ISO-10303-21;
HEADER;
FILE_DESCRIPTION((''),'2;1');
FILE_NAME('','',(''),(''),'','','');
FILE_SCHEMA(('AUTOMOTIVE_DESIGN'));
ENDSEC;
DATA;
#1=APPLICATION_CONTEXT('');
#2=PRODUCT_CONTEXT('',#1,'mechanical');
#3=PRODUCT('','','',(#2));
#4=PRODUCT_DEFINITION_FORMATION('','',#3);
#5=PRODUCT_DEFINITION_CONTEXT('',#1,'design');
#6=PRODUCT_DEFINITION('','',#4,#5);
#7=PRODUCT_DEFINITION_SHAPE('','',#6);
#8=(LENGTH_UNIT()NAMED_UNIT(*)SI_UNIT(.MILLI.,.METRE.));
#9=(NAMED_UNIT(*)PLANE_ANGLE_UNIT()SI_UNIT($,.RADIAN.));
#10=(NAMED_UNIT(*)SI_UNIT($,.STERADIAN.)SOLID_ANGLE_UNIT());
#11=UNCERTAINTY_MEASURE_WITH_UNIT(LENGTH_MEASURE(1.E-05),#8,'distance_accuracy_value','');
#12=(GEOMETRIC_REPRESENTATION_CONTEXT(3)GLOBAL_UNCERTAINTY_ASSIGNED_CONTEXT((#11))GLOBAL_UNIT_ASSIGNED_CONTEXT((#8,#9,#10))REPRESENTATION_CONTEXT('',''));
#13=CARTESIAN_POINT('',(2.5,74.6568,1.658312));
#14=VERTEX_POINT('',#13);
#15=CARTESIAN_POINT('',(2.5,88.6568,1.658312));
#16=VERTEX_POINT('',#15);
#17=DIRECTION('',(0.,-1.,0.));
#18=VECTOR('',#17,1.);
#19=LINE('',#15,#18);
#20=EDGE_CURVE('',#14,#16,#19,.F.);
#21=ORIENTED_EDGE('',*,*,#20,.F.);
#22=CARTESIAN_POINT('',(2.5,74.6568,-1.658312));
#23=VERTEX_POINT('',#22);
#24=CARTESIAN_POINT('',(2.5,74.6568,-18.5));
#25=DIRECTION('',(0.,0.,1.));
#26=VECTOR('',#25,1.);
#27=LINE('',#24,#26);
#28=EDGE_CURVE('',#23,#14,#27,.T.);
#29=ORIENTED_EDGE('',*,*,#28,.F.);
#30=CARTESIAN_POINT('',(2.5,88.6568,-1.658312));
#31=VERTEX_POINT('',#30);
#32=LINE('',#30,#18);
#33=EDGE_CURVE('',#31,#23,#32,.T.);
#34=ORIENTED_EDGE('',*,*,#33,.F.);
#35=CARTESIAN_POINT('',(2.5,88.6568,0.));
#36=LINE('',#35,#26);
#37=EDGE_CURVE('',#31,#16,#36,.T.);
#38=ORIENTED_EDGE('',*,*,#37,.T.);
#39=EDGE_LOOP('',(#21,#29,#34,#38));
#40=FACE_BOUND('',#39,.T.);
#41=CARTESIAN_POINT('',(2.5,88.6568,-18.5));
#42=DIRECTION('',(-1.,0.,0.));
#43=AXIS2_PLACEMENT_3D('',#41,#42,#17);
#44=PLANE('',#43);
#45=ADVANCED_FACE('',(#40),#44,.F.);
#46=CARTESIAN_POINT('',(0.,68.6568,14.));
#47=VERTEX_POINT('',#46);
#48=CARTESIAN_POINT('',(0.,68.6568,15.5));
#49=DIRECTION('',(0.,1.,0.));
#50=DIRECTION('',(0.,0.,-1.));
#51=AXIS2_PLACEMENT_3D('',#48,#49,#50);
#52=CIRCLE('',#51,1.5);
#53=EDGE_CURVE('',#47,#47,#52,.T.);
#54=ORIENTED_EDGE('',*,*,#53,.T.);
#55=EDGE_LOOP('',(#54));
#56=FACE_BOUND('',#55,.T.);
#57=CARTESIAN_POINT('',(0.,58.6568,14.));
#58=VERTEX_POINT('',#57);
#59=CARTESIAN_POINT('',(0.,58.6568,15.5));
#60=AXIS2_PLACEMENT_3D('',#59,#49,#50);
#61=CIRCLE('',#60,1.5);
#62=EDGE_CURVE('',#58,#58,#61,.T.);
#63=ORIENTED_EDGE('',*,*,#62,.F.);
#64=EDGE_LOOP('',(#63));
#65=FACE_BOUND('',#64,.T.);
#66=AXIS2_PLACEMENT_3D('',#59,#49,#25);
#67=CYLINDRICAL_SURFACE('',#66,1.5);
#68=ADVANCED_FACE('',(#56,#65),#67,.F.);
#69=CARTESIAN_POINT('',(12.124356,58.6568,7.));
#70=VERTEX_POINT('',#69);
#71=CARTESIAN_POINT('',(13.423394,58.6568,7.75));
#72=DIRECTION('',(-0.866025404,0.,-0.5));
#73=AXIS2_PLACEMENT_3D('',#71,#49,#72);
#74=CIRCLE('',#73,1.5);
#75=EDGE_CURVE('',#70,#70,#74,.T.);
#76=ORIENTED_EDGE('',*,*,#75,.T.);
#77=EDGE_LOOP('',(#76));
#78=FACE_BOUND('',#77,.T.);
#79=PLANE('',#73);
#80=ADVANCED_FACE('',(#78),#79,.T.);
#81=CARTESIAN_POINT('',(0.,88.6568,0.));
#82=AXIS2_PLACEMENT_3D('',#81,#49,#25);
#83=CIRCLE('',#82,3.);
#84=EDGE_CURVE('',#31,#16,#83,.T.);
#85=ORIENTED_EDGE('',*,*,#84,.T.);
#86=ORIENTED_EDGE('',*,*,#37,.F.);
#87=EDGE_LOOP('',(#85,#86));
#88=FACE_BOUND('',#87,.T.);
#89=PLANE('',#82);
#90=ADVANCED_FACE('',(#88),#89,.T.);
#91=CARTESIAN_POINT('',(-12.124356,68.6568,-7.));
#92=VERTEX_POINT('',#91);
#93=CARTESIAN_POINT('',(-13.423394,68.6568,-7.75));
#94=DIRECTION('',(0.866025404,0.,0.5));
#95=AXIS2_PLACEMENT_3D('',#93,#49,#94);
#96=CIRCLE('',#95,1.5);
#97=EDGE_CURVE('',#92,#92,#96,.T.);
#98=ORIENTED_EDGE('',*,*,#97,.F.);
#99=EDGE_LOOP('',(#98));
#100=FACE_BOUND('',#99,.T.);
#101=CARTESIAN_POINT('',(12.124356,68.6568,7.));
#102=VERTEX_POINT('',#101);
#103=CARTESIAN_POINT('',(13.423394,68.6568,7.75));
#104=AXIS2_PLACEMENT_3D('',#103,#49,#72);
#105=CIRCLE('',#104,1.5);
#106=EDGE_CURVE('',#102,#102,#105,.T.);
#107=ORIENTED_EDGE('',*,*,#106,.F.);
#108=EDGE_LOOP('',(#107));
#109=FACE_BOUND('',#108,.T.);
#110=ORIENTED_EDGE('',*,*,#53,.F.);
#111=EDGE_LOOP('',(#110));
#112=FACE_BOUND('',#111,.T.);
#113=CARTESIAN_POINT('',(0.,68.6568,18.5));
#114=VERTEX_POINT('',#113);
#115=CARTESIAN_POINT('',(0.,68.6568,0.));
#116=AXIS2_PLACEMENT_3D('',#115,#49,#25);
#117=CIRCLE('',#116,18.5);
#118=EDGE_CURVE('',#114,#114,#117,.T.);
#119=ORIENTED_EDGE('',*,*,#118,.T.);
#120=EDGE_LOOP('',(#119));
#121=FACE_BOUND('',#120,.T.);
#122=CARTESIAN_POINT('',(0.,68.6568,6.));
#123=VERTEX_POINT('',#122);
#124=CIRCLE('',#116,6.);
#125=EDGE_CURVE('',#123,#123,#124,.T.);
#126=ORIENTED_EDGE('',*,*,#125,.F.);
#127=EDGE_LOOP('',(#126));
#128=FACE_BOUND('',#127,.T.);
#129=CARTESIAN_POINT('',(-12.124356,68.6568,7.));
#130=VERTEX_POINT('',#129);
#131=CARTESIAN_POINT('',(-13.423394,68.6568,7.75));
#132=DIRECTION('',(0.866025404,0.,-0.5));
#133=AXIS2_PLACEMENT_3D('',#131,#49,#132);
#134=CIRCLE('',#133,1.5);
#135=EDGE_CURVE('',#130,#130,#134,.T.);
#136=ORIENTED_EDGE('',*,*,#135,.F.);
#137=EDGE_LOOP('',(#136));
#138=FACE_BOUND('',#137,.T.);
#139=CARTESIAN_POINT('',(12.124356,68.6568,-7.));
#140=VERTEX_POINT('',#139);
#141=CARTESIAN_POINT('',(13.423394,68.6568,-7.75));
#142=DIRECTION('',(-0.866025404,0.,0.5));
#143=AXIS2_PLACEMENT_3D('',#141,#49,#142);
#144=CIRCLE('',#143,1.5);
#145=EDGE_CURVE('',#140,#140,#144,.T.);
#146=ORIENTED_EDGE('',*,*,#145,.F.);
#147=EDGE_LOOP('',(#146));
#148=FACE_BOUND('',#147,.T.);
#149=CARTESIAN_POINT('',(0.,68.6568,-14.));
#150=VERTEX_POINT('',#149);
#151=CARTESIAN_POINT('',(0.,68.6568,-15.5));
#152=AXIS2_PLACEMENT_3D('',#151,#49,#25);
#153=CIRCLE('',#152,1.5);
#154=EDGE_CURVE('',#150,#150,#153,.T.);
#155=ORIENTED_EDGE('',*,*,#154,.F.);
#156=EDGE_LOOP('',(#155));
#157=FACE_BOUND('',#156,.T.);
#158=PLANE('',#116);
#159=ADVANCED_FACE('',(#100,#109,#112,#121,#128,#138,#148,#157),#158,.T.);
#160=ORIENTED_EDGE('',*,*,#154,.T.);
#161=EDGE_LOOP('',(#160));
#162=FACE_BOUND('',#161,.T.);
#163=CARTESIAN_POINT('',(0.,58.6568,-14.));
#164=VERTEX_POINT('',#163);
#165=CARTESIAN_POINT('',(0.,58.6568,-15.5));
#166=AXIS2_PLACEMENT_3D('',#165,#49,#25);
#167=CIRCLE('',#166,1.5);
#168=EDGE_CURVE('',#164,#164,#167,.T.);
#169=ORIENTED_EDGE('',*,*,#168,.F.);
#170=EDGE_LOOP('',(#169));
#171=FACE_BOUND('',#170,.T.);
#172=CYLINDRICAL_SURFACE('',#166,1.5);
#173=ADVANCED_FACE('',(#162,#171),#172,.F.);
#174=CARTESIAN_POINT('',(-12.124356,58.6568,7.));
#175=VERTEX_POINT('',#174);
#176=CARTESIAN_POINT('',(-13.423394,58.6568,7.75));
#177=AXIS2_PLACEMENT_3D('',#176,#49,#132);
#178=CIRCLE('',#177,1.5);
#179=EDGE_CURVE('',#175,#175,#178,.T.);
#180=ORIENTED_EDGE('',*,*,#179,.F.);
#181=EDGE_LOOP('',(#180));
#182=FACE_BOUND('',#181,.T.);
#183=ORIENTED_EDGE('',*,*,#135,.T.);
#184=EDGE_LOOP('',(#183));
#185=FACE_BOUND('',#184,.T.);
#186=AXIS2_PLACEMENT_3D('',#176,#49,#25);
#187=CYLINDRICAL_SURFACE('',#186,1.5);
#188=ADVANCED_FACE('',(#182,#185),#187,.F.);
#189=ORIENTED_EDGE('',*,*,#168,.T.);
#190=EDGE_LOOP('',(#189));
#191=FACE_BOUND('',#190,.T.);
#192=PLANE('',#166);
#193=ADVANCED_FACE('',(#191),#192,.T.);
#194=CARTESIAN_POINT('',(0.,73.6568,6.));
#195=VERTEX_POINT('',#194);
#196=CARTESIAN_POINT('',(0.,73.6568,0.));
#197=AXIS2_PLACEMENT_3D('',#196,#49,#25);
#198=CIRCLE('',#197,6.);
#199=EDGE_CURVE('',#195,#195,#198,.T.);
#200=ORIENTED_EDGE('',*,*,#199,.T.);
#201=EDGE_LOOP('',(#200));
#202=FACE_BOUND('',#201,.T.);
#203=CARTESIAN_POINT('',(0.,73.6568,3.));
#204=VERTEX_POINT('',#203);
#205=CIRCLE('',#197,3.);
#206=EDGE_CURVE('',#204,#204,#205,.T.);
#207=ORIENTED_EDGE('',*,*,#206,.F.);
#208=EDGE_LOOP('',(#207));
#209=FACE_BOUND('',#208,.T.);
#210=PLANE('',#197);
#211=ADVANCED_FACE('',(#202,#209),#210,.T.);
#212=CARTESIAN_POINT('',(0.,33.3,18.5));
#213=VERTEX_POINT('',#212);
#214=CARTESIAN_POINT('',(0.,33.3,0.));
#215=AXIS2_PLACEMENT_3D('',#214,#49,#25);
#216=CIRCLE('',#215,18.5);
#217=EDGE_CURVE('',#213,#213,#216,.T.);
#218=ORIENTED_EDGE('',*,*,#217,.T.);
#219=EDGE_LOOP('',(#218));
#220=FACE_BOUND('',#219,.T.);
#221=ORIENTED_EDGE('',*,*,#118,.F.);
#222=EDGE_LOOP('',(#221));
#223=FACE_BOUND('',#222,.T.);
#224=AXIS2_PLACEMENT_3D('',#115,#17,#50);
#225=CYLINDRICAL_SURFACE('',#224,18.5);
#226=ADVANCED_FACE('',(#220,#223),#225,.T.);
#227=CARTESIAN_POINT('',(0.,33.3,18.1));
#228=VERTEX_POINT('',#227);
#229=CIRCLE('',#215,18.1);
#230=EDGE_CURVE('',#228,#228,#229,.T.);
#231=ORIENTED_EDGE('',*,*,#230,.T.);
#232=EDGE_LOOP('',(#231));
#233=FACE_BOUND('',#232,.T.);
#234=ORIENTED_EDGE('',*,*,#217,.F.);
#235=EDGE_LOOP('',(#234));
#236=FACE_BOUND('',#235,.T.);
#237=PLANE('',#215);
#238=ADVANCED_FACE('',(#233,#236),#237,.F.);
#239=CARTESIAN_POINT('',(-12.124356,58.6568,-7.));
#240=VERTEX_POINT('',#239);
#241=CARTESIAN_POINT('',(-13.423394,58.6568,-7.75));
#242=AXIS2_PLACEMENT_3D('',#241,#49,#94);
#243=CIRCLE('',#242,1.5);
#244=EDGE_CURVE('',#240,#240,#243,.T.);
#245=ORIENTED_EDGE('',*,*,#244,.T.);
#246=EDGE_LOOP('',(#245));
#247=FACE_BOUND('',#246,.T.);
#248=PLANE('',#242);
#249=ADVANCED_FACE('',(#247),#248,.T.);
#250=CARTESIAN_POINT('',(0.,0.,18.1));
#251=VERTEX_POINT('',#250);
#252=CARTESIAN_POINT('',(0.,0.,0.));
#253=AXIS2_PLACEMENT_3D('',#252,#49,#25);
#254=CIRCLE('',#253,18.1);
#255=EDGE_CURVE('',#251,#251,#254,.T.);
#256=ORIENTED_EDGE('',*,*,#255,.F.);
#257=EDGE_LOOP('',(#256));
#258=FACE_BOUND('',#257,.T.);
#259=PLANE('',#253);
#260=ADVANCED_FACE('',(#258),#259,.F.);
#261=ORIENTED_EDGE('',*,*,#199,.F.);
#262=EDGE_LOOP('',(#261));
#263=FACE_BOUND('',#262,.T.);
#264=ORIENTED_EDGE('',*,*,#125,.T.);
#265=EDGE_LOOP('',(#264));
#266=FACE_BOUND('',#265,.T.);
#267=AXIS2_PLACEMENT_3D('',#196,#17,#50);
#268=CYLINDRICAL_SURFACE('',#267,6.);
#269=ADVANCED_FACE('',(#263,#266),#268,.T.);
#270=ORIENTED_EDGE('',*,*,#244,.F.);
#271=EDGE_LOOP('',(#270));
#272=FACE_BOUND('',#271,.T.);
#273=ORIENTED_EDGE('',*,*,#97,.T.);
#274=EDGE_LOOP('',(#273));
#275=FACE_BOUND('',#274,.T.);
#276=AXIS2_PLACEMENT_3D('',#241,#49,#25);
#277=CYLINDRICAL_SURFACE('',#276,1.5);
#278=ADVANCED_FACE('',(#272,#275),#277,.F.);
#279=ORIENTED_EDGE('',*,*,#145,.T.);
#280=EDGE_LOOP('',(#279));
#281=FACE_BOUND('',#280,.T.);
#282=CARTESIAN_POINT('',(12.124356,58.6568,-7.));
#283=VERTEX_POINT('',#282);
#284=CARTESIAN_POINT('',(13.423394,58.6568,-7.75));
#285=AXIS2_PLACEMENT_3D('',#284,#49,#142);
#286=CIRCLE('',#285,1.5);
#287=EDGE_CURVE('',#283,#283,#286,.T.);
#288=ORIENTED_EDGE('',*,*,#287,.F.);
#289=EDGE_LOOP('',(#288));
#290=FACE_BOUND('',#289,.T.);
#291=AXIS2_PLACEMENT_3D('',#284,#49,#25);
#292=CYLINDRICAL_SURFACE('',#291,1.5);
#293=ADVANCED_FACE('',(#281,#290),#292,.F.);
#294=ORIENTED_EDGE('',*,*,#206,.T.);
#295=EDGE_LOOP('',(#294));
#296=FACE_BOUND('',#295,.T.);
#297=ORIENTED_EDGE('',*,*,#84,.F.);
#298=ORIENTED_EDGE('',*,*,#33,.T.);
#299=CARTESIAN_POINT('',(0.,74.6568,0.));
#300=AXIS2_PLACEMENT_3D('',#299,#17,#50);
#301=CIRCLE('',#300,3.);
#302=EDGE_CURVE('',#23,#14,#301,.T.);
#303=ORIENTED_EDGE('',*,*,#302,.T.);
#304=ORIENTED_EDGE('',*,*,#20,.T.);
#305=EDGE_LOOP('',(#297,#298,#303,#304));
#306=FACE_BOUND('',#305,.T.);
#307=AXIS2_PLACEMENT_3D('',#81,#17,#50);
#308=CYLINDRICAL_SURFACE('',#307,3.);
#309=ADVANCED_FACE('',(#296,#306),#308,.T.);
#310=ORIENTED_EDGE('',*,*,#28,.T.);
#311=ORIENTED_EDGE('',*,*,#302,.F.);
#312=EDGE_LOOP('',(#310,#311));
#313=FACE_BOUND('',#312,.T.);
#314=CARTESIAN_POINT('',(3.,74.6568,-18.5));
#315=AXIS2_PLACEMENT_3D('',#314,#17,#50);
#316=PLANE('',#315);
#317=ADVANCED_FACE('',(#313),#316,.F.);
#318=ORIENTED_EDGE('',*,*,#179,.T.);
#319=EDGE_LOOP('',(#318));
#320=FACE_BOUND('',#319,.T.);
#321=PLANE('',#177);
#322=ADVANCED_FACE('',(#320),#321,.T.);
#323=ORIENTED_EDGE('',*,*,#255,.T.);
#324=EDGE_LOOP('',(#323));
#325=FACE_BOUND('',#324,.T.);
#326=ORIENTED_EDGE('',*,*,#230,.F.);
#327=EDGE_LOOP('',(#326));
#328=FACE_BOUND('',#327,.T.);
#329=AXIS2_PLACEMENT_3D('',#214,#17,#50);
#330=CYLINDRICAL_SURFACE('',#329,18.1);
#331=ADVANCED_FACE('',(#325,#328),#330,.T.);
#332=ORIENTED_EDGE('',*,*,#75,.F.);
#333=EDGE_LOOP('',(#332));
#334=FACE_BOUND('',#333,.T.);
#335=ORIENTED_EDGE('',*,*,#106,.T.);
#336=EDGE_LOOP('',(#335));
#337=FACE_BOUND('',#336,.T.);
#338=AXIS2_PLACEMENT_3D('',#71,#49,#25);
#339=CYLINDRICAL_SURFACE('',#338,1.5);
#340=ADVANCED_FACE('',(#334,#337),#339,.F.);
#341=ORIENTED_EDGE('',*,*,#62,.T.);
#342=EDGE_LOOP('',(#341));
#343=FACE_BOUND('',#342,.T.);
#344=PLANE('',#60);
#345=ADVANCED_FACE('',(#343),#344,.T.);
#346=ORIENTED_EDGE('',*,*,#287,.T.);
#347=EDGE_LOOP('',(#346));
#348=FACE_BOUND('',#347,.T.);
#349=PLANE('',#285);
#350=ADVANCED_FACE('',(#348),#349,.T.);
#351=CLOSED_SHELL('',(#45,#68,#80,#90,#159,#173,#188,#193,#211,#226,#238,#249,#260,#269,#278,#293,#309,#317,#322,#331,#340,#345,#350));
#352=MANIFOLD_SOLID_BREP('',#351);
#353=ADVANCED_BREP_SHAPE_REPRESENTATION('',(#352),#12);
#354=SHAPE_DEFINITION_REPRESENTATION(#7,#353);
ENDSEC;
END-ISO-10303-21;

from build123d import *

# Parameters (mm, degrees)
SKETCH1_R               = 18.1
BOSS_EXTRUDE1_DEPTH     = 33.3
SKETCH2_R               = 18.5
BOSS_EXTRUDE2_DEPTH     = 35.3568
SKETCH3_R               = 6
BOSS_EXTRUDE3_DEPTH     = 5
SKETCH4_R               = 3
BOSS_EXTRUDE4_DEPTH     = 15
CUT_EXTRUDE1_DEPTH      = 93.436617129
CUT_EXTRUDE1_DEPTH_BACK = 93.436617129
SKETCH5_W               = 0.5
SKETCH5_H               = 14
SKETCH6_R               = 1.5
CUT_EXTRUDE2_DEPTH      = 10
CIRPATTERN1_COUNT       = 6


with BuildPart() as part:
    # Sketch1 → Boss-Extrude1 (new body)
    with BuildSketch(Plane(origin=(0, 0, 0), x_dir=(1, 0, 0), z_dir=(0, 1, 0))):
        with Locations(Location((0, 0, 0), (0, 0, 270))):
            Circle(SKETCH1_R)
    extrude(amount=BOSS_EXTRUDE1_DEPTH)

    # Sketch2 → Boss-Extrude2 (add)
    with BuildSketch(Plane(origin=(0, 33.3, 0), x_dir=(1, 0, 0), z_dir=(0, 1, 0))):
        with Locations(Location((0, 0, 0), (0, 0, 270))):
            Circle(SKETCH2_R)
    extrude(amount=BOSS_EXTRUDE2_DEPTH)

    # Sketch3 → Boss-Extrude3 (add)
    with BuildSketch(Plane(origin=(0, 68.6568, 0), x_dir=(1, 0, 0), z_dir=(0, 1, 0))):
        with Locations(Location((0, 0, 0), (0, 0, 270))):
            Circle(SKETCH3_R)
    extrude(amount=BOSS_EXTRUDE3_DEPTH)

    # Sketch4 → Boss-Extrude4 (add)
    with BuildSketch(Plane(origin=(0, 73.6568, 0), x_dir=(1, 0, 0), z_dir=(0, 1, 0))):
        with Locations(Location((0, 0, 0), (0, 0, 270))):
            Circle(SKETCH4_R)
    extrude(amount=BOSS_EXTRUDE4_DEPTH)

    # Sketch5 → Cut-Extrude1 (cut, two sides: drawn at the far end of the back side and taken through both)
    with BuildSketch(Plane.XY.offset(-CUT_EXTRUDE1_DEPTH_BACK)):
        with Locations((2.75, 81.6568)):
            Rectangle(SKETCH5_W, SKETCH5_H)
    extrude(amount=CUT_EXTRUDE1_DEPTH + CUT_EXTRUDE1_DEPTH_BACK, mode=Mode.SUBTRACT)

    # Sketch6 → Cut-Extrude2 (cut)
    with BuildSketch(Plane(origin=(0, 68.6568, 0), x_dir=(1, 0, 0), z_dir=(0, 1, 0))):
        with Locations(Location((0, 15.5, 0), (0, 0, 270))):
            Circle(SKETCH6_R)
    cut_extrude2 = extrude(amount=-CUT_EXTRUDE2_DEPTH, mode=Mode.SUBTRACT)

    # CirPattern1: Cut-Extrude2 ×6 about axis
    cirpattern1_axis = Axis((0, 0, 0), (0, 1, 0))
    for i in range(1, CIRPATTERN1_COUNT):
        add(cut_extrude2.rotate(cirpattern1_axis, i * 360 / CIRPATTERN1_COUNT), mode=Mode.SUBTRACT)


solid = part.part
